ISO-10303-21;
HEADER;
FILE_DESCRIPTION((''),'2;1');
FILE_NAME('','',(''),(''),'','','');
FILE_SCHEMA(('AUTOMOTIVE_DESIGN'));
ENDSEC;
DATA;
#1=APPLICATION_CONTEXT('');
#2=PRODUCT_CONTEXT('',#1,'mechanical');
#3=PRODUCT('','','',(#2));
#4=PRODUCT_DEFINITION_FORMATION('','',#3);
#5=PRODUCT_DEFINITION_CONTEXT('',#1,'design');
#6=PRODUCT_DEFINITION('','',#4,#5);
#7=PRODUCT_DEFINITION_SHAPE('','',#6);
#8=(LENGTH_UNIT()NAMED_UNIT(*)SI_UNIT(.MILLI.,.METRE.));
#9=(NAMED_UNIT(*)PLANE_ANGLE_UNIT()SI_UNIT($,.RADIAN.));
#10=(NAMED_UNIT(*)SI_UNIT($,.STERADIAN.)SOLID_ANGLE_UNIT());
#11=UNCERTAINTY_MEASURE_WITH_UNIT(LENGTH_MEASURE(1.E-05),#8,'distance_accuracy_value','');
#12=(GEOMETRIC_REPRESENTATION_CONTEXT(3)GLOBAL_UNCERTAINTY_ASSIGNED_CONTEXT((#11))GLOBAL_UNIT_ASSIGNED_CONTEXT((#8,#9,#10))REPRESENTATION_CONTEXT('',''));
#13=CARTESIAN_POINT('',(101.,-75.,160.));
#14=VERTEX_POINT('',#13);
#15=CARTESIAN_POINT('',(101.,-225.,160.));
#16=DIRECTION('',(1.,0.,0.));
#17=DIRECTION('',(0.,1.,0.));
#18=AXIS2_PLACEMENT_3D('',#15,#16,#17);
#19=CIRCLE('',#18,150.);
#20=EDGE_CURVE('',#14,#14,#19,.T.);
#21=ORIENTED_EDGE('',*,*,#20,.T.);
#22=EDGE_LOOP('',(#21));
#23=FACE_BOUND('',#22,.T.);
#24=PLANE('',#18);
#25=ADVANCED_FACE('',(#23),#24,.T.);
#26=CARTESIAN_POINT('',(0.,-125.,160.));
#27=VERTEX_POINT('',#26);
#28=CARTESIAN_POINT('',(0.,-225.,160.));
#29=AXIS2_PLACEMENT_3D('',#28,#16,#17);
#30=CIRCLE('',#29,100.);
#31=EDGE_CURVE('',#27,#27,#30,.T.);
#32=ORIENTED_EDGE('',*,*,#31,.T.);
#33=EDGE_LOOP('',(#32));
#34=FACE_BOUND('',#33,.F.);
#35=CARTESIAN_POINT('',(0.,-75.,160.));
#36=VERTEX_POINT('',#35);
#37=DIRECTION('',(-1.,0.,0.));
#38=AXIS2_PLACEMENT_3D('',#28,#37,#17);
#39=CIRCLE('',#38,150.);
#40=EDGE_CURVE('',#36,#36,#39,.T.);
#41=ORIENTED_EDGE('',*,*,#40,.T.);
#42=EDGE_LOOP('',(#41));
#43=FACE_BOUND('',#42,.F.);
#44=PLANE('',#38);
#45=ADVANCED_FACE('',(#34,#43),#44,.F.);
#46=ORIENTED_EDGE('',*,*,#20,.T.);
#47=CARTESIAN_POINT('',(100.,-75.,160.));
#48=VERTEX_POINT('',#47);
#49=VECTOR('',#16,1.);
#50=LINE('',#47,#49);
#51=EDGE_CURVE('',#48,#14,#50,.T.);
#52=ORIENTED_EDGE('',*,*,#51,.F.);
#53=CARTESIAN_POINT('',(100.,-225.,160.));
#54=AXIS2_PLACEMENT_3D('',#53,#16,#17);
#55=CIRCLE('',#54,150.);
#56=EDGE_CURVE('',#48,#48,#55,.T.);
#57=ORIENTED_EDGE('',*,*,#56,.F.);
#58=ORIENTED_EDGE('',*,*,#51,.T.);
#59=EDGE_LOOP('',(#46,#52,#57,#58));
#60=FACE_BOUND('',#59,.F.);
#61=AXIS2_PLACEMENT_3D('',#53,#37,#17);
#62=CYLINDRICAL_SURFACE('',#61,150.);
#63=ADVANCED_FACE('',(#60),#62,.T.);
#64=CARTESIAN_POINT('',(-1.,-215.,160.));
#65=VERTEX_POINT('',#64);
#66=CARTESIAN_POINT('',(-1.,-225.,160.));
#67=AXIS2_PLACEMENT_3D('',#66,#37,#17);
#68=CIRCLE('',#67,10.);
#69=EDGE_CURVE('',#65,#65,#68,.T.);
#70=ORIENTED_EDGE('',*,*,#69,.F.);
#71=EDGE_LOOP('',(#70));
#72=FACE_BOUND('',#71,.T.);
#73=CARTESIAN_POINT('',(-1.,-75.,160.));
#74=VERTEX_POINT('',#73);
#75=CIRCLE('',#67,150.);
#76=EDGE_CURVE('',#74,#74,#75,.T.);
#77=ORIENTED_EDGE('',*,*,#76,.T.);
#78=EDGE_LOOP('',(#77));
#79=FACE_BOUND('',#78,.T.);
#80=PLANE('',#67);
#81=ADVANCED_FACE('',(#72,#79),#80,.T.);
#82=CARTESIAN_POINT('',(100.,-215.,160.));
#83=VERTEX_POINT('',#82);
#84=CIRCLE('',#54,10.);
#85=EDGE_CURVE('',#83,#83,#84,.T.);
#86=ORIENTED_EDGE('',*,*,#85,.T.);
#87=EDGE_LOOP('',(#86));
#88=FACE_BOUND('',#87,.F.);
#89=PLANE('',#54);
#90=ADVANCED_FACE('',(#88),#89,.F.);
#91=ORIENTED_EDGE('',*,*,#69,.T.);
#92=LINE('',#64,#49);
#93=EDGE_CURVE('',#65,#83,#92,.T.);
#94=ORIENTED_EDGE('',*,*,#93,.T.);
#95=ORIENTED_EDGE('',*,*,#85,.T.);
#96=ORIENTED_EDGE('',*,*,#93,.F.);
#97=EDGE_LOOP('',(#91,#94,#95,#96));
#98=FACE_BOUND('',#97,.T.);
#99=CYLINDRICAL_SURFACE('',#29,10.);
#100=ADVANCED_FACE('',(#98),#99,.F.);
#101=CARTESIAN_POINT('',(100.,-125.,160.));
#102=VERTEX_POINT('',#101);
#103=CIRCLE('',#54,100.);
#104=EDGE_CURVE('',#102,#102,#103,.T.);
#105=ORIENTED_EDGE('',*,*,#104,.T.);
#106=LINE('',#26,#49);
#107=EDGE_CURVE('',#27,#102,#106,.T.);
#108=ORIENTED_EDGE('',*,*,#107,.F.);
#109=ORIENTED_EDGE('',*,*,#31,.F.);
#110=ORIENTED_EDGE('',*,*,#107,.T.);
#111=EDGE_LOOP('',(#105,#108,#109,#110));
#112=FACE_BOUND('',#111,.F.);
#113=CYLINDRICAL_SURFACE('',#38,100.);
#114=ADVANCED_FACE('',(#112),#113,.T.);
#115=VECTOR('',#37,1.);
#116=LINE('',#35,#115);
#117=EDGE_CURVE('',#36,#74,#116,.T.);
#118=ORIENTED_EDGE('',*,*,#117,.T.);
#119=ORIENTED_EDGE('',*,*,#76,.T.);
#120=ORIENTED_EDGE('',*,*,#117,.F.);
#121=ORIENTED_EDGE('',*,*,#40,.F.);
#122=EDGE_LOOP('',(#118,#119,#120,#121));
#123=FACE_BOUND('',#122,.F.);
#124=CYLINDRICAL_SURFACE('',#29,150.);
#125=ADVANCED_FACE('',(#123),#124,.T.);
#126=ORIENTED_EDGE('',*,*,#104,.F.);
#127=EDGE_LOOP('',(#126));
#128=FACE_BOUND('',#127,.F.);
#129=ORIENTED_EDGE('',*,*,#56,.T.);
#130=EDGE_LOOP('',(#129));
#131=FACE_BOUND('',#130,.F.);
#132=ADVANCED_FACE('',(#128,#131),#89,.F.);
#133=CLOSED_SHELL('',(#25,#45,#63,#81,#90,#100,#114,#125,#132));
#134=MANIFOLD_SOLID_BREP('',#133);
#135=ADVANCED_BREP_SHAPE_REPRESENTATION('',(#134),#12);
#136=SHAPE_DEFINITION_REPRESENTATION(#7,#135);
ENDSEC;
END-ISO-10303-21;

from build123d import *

# Parameters (mm, degrees)
SKETCH005_R   = 100
SKETCH005_R_2 = 10
PAD003_DEPTH  = 100
SKETCH010_R   = 150
SKETCH010_R_2 = 10
PAD007_DEPTH  = 1
SKETCH011_R   = 150
PAD008_DEPTH  = 1


with BuildPart() as part:
    # Sketch005 → Pad003 (new body)
    with BuildSketch(Plane.YZ):
        Circle(SKETCH005_R)
        Circle(SKETCH005_R_2, mode=Mode.SUBTRACT)
    extrude(amount=PAD003_DEPTH)

    # Sketch010 (on Face3 of Pad003) → Pad007 (join)
    with BuildSketch(Plane(origin=(0, 0, 0), x_dir=(0, 1, 0), z_dir=(-1, 0, 0))):
        Circle(SKETCH010_R)
        Circle(SKETCH010_R_2, mode=Mode.SUBTRACT)
    extrude(amount=PAD007_DEPTH)

    # Sketch011 (on Face3 of Pad007) → Pad008 (join)
    with BuildSketch(Plane.YZ.offset(100)):
        Circle(SKETCH011_R)
    extrude(amount=PAD008_DEPTH)


with BuildPart() as part_1:
    # Body002 placement: moved
    add(part.part.moved(Location((0, -225, 160))))


solid = part_1.part
